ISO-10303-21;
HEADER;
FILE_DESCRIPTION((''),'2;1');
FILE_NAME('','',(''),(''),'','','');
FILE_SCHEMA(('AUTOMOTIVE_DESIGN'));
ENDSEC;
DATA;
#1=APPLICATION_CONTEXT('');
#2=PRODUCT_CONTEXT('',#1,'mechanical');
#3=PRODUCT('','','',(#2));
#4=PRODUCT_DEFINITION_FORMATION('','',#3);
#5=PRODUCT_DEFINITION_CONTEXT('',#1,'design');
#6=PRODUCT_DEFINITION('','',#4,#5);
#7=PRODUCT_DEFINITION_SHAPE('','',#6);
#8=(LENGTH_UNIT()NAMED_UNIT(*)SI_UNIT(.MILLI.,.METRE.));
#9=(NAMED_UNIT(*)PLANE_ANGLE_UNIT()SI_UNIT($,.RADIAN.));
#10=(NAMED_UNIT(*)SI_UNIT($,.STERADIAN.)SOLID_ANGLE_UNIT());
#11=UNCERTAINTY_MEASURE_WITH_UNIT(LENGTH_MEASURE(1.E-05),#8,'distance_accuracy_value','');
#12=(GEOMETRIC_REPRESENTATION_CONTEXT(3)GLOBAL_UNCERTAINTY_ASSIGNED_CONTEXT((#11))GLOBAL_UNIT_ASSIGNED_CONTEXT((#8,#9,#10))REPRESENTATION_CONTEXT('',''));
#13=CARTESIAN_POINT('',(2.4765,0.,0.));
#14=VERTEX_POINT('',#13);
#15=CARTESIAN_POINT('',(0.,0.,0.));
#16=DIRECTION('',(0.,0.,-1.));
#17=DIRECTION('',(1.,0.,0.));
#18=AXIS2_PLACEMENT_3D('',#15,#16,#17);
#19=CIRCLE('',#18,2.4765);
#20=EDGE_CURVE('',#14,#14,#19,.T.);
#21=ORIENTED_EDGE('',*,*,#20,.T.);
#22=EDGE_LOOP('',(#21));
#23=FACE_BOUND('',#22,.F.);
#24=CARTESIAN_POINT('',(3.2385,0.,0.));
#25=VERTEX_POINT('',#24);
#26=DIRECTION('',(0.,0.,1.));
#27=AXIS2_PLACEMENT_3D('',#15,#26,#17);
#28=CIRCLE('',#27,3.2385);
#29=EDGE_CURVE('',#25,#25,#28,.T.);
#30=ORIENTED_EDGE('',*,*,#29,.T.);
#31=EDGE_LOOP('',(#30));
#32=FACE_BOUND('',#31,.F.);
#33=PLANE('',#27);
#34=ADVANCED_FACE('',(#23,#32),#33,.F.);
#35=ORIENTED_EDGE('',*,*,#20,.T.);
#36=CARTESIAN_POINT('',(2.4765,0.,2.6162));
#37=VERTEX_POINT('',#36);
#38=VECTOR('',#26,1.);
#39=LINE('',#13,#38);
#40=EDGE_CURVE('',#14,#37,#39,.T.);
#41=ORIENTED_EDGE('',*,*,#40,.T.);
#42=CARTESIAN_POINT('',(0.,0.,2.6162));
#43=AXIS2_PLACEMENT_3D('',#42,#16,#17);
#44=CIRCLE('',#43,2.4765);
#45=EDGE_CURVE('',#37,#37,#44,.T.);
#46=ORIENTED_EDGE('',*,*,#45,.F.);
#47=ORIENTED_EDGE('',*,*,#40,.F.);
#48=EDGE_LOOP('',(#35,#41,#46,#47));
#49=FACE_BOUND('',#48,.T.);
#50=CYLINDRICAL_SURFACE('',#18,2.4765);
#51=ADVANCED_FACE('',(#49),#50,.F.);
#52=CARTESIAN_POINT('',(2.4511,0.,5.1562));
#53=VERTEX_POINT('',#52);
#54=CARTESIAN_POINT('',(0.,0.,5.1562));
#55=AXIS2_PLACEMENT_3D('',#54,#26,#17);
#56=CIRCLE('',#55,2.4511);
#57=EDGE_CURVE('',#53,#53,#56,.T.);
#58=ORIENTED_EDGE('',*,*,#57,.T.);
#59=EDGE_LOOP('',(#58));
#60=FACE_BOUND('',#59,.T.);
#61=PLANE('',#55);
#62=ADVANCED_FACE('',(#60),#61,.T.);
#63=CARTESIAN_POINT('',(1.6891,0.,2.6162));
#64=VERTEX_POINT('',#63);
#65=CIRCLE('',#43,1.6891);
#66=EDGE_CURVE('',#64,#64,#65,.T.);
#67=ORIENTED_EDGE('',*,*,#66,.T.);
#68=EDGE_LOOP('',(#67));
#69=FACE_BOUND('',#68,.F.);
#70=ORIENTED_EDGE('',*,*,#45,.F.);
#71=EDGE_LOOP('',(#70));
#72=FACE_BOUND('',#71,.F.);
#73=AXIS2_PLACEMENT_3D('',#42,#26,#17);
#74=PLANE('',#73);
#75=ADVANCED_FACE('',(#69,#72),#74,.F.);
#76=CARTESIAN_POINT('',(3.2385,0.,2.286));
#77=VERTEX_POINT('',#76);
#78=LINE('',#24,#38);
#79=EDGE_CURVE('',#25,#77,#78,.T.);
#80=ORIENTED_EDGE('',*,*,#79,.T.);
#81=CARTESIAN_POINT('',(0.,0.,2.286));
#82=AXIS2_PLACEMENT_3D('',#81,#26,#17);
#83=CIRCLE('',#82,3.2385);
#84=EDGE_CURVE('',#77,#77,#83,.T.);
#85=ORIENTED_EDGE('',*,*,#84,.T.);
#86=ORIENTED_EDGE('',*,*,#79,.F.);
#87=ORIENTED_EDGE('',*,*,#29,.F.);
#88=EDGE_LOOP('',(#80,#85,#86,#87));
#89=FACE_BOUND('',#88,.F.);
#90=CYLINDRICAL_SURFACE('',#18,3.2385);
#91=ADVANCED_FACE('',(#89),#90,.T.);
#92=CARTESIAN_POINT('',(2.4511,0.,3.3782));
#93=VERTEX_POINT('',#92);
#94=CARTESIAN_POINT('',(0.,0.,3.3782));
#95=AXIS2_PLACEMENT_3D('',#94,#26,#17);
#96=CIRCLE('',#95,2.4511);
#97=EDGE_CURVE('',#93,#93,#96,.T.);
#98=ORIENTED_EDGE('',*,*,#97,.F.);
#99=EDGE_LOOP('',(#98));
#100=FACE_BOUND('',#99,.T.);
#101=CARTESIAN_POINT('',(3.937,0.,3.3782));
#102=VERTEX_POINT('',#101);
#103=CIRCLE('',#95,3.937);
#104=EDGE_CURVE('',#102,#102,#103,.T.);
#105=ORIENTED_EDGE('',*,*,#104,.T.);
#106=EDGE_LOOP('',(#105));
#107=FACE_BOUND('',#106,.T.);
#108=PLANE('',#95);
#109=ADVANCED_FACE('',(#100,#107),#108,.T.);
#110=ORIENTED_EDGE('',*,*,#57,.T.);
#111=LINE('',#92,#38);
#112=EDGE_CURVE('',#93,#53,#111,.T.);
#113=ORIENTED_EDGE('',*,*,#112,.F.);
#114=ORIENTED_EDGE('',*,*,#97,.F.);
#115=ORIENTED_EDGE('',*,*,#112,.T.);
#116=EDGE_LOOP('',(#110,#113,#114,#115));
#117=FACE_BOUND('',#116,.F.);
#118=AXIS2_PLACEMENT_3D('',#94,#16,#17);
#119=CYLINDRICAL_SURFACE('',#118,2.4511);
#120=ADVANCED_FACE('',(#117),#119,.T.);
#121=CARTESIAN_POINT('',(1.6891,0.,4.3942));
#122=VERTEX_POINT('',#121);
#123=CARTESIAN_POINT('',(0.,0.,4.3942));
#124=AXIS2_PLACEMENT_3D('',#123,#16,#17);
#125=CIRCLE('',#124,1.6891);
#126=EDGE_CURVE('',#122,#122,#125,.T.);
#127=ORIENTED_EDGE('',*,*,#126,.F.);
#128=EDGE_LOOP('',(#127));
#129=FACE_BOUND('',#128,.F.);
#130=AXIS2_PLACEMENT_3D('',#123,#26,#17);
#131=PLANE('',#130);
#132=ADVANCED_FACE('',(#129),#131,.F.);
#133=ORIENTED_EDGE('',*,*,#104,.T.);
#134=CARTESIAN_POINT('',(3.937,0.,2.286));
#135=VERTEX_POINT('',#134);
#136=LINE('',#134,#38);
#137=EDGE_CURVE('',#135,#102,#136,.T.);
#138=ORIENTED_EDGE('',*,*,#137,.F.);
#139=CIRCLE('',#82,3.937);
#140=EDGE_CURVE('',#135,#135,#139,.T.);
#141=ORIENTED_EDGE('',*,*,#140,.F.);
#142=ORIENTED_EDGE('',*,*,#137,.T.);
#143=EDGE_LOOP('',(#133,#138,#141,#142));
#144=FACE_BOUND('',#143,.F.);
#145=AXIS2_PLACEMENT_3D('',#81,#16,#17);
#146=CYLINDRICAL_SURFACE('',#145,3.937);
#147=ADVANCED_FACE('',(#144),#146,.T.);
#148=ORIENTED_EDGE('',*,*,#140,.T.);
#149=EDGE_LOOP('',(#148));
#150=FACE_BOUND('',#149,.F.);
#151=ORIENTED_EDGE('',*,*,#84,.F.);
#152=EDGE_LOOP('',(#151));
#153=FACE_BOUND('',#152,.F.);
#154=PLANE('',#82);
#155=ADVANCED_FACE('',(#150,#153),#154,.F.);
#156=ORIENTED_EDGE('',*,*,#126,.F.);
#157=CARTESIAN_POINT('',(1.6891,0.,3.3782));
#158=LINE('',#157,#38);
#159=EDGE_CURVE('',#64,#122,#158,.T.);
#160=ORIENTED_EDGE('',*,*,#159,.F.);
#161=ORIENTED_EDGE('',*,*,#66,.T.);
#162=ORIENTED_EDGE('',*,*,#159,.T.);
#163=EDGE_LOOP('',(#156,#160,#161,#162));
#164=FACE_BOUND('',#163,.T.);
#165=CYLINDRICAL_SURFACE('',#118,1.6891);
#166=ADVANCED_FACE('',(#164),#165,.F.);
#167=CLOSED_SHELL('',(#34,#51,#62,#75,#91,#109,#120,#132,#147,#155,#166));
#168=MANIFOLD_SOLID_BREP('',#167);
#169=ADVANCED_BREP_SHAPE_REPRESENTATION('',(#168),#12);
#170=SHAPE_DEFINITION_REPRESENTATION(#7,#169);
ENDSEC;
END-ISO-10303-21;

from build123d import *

# Parameters (mm, degrees)
F0_R     = 3.2385
F1_DEPTH = 2.286
F2_R     = 3.937
F3_DEPTH = 1.0922
F4_R     = 2.4511
F5_DEPTH = 1.778
F6_T     = -0.762


with BuildPart() as f1:
    # F0 (on Top) → F1 (new body)
    with BuildSketch(Plane.XY):
        Circle(F0_R)
    extrude(amount=F1_DEPTH)

    # F2 (on face) → F3 (join)
    with BuildSketch(Plane.XY.offset(2.286)):
        Circle(F2_R)
    extrude(amount=F3_DEPTH)

    # F4 (on face) → F5 (join)
    with BuildSketch(Plane.XY.offset(3.3782)):
        Circle(F4_R)
    extrude(amount=F5_DEPTH)

    # F6
    f6_openings = [f1.faces().sort_by_distance(p)[0] for p in [
        (0, 0, 0),
    ]]
    offset(amount=F6_T, openings=f6_openings, kind=Kind.INTERSECTION)


solid = f1.part
